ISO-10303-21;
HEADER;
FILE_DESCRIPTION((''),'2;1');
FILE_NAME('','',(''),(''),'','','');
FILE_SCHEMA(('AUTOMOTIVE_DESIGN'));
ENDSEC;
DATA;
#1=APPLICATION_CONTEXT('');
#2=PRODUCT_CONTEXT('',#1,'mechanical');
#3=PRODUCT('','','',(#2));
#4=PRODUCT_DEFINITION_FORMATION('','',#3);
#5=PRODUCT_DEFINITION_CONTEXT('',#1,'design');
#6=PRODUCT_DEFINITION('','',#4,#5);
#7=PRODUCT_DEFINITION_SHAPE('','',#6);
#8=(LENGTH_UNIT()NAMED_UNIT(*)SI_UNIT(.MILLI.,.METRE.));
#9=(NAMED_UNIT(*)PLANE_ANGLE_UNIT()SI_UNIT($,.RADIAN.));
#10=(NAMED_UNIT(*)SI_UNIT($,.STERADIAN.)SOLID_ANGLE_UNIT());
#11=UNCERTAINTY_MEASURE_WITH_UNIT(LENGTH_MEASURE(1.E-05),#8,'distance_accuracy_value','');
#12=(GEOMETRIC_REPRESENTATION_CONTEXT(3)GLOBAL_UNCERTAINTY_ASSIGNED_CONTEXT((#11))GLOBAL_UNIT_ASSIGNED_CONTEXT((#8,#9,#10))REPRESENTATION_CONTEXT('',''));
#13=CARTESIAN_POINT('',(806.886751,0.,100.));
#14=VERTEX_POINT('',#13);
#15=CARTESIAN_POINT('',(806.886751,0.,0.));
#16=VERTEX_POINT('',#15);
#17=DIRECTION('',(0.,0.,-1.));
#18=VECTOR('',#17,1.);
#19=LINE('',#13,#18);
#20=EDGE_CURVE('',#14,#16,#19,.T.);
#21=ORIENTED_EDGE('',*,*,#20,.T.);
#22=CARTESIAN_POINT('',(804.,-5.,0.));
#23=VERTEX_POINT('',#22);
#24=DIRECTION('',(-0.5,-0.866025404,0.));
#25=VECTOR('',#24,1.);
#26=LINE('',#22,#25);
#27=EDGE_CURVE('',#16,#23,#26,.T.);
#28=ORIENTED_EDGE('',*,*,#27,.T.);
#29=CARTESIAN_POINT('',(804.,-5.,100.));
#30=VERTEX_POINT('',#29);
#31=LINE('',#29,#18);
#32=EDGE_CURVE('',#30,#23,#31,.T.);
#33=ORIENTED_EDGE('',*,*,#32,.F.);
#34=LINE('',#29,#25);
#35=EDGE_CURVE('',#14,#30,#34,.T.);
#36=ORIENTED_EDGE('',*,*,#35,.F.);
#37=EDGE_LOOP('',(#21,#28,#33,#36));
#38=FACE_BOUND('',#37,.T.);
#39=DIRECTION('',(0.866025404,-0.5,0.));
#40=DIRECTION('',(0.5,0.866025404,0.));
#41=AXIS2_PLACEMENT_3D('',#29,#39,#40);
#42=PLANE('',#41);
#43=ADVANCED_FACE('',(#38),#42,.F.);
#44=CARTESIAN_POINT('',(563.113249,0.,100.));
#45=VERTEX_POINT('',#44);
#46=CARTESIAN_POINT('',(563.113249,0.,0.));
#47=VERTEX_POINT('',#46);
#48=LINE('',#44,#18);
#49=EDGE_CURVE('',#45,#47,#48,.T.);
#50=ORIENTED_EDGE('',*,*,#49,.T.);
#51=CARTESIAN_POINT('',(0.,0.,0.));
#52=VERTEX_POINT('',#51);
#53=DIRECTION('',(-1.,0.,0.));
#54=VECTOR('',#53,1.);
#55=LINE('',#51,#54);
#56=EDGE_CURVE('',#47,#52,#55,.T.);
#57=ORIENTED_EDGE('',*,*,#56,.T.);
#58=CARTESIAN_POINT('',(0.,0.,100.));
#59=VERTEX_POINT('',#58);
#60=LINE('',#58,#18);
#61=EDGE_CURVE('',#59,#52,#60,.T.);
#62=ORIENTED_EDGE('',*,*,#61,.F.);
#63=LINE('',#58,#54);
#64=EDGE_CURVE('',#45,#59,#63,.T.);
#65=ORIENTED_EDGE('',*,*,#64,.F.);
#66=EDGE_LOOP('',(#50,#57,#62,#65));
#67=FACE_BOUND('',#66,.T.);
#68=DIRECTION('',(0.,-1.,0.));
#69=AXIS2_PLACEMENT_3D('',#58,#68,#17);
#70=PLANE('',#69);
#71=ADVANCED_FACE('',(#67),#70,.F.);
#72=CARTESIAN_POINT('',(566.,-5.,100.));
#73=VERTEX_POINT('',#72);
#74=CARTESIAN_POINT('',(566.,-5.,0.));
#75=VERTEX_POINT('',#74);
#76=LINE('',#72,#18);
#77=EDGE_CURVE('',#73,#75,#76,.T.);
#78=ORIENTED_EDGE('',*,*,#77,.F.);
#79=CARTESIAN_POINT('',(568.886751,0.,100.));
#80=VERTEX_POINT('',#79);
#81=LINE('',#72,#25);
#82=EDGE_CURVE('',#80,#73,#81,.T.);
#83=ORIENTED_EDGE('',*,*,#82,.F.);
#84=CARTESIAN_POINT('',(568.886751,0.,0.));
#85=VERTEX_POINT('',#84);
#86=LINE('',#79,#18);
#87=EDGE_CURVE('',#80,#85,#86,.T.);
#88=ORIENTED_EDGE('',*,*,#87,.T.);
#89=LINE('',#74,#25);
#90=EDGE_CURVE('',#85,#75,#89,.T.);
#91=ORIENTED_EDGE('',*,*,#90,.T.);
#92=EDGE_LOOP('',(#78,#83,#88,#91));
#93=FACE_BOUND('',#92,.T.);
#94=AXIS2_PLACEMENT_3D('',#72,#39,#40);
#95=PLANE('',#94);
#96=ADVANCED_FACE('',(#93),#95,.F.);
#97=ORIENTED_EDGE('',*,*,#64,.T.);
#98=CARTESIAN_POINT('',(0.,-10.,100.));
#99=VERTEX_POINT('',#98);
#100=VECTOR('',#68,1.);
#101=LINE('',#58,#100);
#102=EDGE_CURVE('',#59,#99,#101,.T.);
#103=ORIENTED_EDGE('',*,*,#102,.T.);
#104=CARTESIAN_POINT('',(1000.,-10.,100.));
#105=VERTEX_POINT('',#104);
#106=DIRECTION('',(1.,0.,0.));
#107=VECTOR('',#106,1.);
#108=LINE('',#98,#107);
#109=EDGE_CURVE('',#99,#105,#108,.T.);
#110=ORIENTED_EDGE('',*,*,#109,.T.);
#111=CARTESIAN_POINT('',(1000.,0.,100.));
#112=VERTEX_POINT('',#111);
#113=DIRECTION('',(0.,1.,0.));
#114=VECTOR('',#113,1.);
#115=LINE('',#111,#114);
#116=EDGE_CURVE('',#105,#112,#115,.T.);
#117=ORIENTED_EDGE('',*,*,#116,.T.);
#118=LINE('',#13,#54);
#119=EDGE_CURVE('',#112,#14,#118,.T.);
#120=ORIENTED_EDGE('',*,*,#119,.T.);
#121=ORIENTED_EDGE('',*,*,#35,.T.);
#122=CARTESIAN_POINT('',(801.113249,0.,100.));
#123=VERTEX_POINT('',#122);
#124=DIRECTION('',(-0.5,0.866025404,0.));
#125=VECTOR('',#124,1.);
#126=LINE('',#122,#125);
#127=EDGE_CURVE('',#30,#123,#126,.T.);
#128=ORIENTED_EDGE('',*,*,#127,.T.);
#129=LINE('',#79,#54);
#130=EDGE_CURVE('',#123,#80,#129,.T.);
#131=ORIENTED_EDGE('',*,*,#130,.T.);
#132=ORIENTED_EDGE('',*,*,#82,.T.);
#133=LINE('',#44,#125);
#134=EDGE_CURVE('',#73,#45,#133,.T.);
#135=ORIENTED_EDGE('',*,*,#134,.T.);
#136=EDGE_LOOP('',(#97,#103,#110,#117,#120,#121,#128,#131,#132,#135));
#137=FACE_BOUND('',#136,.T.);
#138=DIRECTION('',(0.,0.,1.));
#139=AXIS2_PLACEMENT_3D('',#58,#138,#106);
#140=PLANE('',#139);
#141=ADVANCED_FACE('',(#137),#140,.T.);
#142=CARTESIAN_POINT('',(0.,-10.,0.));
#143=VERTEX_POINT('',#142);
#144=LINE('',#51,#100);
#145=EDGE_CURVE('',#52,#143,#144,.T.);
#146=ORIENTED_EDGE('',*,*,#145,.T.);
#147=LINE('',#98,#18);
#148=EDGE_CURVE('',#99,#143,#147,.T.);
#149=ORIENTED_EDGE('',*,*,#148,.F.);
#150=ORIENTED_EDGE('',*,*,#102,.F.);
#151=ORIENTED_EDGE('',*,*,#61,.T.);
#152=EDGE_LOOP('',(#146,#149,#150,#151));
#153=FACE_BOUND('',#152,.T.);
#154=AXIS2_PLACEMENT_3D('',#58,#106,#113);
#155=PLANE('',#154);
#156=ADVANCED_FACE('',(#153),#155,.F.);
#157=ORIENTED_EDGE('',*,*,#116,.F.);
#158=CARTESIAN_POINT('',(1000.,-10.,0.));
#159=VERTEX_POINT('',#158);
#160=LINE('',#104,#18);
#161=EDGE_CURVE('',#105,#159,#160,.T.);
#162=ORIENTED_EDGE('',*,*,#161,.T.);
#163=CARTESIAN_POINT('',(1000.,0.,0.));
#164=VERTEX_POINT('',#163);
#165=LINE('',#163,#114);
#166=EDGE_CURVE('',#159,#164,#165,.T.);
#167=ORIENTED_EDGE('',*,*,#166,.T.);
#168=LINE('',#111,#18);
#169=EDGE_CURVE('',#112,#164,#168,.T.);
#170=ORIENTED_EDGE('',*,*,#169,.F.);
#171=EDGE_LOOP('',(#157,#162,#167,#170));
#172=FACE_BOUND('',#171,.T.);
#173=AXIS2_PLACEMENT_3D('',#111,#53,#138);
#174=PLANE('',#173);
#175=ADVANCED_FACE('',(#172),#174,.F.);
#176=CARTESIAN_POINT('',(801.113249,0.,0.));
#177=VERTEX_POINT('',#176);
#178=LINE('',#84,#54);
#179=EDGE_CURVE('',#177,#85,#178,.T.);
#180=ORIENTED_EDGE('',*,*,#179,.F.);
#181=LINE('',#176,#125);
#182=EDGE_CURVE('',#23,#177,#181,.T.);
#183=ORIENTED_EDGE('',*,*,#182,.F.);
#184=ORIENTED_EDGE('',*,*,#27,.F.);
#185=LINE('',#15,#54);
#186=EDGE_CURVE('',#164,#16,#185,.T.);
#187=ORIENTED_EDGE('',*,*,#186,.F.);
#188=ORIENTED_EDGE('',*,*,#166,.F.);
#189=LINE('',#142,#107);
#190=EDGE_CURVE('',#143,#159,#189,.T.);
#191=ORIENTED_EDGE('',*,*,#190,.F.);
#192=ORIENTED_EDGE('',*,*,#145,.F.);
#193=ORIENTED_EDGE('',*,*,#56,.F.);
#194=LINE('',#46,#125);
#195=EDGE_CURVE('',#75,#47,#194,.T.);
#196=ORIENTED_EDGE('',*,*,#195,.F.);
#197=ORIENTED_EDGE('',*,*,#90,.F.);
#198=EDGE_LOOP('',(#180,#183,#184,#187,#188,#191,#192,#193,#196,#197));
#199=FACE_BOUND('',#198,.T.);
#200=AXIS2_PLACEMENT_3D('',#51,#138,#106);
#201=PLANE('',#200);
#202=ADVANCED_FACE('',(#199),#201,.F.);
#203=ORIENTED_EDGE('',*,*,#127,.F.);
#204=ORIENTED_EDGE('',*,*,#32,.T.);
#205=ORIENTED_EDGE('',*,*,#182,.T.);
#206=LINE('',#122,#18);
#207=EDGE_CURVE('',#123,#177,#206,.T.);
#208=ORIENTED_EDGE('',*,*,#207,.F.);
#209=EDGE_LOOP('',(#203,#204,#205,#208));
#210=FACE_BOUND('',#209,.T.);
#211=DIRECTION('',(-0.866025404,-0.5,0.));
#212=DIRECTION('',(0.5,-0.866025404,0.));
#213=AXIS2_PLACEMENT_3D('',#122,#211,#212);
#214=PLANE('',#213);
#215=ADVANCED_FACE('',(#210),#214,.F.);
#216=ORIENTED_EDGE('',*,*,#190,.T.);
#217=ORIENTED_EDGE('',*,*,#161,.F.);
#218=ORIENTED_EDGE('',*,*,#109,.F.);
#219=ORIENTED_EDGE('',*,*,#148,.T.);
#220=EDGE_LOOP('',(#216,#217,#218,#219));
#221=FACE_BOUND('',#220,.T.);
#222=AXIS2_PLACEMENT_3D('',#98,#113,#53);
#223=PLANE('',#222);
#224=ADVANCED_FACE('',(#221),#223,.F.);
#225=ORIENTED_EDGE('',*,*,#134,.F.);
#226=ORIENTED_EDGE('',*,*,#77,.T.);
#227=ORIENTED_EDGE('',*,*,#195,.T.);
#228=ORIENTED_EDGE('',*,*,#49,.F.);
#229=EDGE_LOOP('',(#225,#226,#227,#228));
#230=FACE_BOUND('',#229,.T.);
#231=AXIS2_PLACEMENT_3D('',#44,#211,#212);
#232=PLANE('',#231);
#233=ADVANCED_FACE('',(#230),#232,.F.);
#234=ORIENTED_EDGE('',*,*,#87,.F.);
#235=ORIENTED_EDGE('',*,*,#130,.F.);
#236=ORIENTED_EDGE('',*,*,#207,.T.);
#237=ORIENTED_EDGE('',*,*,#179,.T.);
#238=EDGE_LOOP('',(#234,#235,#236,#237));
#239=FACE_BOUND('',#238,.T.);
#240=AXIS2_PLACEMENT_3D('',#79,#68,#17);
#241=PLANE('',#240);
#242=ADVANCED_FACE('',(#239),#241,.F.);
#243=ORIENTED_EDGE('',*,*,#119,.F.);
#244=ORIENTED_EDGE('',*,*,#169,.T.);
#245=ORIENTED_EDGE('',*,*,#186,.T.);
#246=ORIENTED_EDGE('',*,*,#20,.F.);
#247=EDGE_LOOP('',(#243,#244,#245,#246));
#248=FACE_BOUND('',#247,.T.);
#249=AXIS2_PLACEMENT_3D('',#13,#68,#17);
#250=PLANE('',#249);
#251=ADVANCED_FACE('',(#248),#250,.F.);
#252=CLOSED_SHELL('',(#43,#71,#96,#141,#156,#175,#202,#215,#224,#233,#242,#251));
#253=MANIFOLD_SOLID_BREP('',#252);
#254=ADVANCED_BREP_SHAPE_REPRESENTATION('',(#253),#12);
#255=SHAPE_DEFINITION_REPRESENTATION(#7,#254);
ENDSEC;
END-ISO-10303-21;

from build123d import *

# Parameters (mm, degrees)
BOSS_EXTRUDE1_DEPTH = 100


with BuildPart() as part:
    # Sketch1 → Boss-Extrude1 (new body)
    with BuildSketch(Plane.XY):
        Polygon((0, 0), (563.113248654, 0), (566, -5), (568.886751346, 0), (801.113248654, 0), (804, -5), (806.886751346, 0), (1000, 0), (1000, -10), (0, -10), align=None)
    extrude(amount=BOSS_EXTRUDE1_DEPTH)


solid = part.part
